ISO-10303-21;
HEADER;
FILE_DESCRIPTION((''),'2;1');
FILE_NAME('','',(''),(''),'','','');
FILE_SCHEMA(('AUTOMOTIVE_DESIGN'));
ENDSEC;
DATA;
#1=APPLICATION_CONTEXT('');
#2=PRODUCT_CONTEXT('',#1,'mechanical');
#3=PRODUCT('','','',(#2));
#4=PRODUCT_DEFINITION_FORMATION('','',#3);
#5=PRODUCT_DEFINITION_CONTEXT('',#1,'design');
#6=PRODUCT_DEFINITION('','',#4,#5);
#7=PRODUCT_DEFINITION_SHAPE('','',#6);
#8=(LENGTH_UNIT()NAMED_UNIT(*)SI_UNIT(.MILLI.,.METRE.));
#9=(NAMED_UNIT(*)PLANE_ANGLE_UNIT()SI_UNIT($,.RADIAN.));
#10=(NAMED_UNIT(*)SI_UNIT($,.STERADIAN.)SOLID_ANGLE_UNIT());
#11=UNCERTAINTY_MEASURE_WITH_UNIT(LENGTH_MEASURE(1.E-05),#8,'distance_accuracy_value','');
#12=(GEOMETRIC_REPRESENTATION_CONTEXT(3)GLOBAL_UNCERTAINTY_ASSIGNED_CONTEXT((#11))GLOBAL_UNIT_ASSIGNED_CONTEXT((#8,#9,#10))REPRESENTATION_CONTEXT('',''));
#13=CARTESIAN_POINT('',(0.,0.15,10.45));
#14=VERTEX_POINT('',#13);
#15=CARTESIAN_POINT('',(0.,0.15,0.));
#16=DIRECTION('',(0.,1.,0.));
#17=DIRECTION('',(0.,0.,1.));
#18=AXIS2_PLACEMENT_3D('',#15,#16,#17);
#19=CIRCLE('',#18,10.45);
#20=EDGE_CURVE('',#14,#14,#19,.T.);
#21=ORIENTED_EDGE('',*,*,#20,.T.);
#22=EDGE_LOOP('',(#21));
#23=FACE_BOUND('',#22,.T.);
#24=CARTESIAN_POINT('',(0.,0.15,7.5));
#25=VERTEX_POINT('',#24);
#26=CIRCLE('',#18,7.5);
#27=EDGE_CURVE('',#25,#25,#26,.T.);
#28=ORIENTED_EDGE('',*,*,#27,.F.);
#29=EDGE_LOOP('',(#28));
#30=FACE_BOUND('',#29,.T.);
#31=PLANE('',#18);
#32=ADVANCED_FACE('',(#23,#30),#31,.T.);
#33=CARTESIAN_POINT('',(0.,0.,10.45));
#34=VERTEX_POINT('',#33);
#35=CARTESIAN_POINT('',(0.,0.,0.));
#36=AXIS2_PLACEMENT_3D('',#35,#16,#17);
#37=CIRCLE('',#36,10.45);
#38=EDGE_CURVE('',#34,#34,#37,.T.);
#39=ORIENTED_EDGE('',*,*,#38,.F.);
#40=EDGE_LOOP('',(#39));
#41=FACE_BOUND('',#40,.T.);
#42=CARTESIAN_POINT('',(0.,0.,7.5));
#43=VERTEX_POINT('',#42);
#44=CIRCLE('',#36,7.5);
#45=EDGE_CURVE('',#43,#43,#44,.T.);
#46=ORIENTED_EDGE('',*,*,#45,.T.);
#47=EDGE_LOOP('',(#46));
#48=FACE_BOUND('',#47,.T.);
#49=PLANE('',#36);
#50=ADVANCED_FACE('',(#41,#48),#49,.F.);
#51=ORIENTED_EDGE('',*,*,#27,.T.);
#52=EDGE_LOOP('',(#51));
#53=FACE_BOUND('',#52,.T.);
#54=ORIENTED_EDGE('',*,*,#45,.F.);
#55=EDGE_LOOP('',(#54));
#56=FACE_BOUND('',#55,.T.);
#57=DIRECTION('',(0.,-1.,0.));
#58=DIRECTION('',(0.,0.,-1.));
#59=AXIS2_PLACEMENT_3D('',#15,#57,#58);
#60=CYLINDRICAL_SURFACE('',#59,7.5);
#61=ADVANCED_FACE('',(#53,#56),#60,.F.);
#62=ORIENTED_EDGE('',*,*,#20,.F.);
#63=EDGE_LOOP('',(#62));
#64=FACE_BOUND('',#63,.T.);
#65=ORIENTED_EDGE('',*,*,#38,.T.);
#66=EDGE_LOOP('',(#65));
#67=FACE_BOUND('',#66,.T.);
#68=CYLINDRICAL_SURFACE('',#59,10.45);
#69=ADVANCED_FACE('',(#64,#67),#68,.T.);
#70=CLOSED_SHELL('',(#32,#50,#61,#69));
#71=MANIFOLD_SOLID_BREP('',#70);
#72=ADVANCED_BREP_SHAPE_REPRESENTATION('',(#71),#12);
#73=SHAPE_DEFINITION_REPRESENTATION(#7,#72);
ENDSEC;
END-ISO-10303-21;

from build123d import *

# Parameters (mm, degrees)
SKETCH1_R      = 10.45
SKETCH1_R_2    = 7.5
EXTRUDE1_DEPTH = 0.15


with BuildPart() as part:
    # Sketch1 → Extrude1 (new body)
    with BuildSketch(Plane(origin=(0, 0, 0), x_dir=(1, 0, 0), z_dir=(0, 1, 0))):
        with Locations(Location((0, 0, 0), (0, 0, 270))):  # turned: the seam where the file's is
            Circle(SKETCH1_R)
        with Locations(Location((0, 0, 0), (0, 0, 270))):  # turned: the seam where the file's is
            Circle(SKETCH1_R_2, mode=Mode.SUBTRACT)
    extrude(amount=EXTRUDE1_DEPTH)


solid = part.part
